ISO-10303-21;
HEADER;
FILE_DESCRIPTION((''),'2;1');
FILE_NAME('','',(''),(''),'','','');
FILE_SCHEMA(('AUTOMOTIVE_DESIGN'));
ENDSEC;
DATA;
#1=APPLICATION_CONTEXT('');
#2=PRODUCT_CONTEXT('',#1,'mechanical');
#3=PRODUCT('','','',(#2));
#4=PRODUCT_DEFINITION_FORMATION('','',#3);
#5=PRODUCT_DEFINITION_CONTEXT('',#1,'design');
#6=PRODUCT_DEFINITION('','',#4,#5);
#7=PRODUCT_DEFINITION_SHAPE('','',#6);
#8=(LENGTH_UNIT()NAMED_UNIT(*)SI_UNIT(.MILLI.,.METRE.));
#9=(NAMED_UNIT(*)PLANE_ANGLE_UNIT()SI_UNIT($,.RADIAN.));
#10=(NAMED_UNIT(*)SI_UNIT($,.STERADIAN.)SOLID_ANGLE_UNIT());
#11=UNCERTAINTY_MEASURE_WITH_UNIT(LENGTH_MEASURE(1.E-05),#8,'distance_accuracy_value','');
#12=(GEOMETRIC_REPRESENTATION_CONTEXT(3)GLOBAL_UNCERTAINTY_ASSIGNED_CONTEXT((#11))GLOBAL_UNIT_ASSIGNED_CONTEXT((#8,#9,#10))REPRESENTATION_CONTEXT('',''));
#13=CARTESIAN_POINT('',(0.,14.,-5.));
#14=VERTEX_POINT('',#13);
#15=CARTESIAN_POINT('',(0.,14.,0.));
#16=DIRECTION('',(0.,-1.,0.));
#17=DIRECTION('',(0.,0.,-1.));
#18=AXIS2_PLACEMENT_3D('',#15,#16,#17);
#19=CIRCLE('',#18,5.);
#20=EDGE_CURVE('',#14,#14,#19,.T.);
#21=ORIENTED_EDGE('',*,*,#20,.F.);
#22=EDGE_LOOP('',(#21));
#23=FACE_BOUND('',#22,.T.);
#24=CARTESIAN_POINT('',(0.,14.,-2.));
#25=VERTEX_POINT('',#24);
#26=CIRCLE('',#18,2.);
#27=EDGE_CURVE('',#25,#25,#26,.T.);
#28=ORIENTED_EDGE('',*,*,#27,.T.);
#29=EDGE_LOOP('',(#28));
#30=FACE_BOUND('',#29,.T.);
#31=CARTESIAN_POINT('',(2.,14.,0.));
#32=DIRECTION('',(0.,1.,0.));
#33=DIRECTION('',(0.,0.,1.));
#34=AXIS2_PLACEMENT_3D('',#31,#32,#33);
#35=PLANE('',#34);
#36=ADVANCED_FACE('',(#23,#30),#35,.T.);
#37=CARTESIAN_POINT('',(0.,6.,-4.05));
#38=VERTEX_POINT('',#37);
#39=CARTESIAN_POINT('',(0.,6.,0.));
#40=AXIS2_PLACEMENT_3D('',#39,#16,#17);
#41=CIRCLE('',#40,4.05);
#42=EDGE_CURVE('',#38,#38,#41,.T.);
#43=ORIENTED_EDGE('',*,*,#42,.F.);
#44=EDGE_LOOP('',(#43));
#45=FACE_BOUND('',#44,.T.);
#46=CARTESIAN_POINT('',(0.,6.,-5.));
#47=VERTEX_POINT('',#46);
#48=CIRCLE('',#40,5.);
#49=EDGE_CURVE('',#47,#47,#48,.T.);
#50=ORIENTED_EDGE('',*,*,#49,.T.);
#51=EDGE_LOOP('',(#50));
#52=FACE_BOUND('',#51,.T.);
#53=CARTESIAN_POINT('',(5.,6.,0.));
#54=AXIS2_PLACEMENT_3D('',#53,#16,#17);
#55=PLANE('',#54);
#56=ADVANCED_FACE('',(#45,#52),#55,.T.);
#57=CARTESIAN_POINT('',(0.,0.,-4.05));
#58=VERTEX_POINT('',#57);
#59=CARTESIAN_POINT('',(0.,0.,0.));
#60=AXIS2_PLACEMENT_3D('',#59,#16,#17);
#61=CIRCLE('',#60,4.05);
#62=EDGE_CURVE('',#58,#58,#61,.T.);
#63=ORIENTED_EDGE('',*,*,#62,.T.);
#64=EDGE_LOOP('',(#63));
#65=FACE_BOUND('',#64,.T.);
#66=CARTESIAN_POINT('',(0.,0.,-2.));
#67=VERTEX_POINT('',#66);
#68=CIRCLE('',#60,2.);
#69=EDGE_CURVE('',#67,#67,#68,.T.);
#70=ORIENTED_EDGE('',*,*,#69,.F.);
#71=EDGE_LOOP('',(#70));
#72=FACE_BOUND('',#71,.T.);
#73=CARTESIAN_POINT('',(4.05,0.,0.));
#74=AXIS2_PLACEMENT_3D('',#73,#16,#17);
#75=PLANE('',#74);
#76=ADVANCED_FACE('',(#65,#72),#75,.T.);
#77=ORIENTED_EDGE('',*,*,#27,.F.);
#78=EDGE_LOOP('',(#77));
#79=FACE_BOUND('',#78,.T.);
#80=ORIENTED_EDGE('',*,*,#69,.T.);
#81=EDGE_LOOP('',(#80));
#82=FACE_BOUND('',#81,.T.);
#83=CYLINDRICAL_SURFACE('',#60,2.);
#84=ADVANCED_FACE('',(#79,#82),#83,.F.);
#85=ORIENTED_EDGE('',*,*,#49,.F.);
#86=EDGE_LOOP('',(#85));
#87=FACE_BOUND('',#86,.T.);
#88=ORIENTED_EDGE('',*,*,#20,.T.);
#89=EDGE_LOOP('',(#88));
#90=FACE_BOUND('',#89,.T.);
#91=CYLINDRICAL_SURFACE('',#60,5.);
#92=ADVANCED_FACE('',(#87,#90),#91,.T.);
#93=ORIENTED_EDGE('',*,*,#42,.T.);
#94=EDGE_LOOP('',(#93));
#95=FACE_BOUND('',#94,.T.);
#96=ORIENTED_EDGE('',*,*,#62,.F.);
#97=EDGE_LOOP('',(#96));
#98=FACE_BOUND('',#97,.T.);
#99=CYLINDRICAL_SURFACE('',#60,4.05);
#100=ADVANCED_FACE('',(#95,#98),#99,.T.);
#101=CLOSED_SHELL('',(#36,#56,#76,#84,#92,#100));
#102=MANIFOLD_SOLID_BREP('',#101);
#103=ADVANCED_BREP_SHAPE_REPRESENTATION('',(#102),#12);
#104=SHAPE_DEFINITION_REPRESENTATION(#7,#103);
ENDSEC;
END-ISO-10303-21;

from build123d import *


with BuildPart() as part:
    # Esquisse1 → Révolution1 (revolve)
    with BuildSketch(Plane.XY):
        Polygon((2, 14), (5, 14), (5, 6), (4.05, 6), (4.05, 0), (2, 0), align=None)
    revolve(axis=Axis((0, 0, 0), (0, 1, 0)))


solid = part.part
